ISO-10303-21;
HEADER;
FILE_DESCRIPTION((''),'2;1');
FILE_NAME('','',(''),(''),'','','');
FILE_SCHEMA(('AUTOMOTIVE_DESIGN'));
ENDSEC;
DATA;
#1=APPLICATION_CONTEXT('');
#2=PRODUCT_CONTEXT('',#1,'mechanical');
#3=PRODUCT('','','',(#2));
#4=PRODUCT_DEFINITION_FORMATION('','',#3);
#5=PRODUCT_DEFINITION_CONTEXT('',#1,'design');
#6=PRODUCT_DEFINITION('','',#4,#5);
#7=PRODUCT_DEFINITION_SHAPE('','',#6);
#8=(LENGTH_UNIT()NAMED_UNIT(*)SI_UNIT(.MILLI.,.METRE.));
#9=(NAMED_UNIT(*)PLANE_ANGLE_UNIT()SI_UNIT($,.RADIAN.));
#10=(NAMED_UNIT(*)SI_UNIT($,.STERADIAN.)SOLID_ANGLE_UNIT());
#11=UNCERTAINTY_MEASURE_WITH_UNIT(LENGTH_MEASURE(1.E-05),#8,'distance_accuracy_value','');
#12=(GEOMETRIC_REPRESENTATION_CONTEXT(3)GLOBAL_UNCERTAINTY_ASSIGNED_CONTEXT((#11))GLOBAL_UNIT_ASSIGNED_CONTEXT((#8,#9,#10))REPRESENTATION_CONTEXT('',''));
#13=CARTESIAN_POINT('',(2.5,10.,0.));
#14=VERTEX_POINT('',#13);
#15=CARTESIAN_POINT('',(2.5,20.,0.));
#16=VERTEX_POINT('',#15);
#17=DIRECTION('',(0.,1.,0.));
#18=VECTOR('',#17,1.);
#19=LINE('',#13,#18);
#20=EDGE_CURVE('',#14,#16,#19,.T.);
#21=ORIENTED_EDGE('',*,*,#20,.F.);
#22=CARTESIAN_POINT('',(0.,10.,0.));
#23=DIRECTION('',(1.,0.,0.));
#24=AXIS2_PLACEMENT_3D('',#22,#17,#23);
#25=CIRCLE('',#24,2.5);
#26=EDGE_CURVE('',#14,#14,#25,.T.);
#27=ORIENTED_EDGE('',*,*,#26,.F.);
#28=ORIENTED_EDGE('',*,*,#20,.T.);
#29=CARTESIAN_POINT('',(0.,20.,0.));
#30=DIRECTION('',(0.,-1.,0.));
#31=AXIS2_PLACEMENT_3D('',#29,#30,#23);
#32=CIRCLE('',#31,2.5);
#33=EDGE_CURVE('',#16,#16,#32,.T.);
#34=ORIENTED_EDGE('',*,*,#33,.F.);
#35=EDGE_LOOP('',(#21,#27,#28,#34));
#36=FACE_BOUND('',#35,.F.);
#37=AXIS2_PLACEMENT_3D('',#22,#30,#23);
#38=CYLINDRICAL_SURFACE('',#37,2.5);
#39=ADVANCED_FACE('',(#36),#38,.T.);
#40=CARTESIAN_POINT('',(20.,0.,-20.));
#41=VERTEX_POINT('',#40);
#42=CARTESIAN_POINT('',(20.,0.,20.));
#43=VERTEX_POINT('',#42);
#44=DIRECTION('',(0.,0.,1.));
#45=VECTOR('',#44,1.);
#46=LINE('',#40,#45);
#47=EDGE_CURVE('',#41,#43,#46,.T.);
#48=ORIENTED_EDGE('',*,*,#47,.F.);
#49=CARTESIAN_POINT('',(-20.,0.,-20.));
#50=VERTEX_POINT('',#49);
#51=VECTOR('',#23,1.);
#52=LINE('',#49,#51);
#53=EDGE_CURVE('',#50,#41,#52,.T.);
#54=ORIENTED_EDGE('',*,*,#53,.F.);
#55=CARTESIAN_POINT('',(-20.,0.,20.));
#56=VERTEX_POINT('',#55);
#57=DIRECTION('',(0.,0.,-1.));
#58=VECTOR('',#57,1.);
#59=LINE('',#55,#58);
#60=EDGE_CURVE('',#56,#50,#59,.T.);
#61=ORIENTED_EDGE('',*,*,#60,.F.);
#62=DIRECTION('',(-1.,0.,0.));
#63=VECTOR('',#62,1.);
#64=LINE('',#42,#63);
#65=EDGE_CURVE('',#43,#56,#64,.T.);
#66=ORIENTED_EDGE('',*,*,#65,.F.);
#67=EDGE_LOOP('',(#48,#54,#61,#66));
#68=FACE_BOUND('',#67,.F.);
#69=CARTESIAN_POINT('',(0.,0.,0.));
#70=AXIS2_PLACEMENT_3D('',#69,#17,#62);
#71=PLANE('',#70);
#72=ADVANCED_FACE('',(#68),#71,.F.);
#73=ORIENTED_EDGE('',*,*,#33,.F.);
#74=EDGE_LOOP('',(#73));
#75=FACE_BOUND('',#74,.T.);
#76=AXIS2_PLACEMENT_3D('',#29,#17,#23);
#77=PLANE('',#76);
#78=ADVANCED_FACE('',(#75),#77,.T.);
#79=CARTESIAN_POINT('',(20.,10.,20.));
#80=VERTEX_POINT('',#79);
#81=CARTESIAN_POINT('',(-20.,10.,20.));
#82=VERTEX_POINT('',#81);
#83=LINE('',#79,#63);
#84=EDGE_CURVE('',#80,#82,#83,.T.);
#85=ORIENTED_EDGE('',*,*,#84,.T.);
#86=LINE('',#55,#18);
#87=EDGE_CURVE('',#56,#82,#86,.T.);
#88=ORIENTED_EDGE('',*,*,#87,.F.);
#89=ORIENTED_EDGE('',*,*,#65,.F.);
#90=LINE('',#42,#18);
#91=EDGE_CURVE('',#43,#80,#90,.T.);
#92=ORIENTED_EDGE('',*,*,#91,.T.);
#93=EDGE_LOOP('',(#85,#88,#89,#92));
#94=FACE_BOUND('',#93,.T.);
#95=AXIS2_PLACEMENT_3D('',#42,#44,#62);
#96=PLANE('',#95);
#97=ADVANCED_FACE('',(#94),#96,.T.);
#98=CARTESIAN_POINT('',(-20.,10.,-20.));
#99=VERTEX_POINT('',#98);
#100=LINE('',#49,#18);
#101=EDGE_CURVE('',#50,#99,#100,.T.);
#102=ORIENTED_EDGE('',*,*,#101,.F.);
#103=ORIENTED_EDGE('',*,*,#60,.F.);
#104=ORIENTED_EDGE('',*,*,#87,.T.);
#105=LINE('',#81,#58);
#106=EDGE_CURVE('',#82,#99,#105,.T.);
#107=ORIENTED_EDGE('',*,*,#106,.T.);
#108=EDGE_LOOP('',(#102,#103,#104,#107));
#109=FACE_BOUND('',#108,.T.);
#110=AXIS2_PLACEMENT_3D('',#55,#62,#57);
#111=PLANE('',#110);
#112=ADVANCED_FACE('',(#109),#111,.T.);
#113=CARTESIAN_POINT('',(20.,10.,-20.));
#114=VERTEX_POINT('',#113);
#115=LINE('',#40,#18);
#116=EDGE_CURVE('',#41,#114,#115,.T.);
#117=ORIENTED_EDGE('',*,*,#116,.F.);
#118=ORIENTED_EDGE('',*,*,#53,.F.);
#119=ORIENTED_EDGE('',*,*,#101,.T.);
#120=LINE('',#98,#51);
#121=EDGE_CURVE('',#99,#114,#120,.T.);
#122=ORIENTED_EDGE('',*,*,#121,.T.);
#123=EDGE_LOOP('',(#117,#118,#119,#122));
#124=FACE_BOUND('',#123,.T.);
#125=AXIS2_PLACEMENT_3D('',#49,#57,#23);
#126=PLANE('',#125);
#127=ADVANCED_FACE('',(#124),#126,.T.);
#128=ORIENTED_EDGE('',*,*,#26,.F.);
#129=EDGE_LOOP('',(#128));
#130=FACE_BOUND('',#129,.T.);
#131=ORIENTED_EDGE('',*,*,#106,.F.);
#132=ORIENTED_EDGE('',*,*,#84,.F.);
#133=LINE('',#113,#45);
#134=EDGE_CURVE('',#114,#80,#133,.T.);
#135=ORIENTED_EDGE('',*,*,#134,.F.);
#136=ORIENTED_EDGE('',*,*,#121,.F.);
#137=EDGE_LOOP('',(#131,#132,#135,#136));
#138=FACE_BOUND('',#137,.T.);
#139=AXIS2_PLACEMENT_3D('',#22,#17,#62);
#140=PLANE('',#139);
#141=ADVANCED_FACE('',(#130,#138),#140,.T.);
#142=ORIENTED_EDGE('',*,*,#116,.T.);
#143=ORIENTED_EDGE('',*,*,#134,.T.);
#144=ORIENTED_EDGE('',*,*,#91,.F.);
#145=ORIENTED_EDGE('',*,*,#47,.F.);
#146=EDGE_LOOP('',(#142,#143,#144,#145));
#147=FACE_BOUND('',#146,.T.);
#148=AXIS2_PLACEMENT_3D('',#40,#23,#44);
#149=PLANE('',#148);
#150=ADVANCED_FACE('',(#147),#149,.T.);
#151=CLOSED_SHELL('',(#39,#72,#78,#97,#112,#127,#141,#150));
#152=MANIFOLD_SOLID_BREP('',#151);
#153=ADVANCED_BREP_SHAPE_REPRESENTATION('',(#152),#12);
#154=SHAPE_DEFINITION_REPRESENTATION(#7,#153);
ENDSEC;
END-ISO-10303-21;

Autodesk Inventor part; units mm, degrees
ref_plane "YZ Plane" through (0, 0, 0) normal (1, 0, 0) x (0, 1, 0)
ref_plane "XZ Plane" through (0, 0, 0) normal (0, 1, 0) x (-1, 0, 0)
ref_plane "XY Plane" through (0, 0, 0) normal (0, 0, 1) x (1, 0, 0)
sketch "Sketch1" plane through (0, 0, 0) normal (0, 1, 0) x (-1, 0, 0)
  line L0 (20, -20) -> (-20, -20)
  line L1 (-20, -20) -> (-20, 20)
  line L2 (-20, 20) -> (20, 20)
  line L3 (20, 20) -> (20, -20)
  line L4 (20, -20) -> (-20, 20) construction
  line L5 (-20, -20) -> (20, 20) construction
  point P0 (0, 0)
  dimension "d0" = 40
  dimension "d1" = 40
extrude "Extrusion1" add sketch "Sketch1" along normal blind 10
sketch "Sketch2" plane through (0, 10, 0) normal (0, 1, 0) x (1, 0, 0)
  line L0 (20, 20) -> (-20, 20) projected
  line L1 (-20, -20) -> (20, -20) projected
  line L2 (-20, 20) -> (20, -20)
  circle A0 centre (0, 0) radius 2.5
  dimension "d4" = 5
extrude "Extrusion2" add sketch "Sketch2" along normal blind 10
properties part number "Base"
